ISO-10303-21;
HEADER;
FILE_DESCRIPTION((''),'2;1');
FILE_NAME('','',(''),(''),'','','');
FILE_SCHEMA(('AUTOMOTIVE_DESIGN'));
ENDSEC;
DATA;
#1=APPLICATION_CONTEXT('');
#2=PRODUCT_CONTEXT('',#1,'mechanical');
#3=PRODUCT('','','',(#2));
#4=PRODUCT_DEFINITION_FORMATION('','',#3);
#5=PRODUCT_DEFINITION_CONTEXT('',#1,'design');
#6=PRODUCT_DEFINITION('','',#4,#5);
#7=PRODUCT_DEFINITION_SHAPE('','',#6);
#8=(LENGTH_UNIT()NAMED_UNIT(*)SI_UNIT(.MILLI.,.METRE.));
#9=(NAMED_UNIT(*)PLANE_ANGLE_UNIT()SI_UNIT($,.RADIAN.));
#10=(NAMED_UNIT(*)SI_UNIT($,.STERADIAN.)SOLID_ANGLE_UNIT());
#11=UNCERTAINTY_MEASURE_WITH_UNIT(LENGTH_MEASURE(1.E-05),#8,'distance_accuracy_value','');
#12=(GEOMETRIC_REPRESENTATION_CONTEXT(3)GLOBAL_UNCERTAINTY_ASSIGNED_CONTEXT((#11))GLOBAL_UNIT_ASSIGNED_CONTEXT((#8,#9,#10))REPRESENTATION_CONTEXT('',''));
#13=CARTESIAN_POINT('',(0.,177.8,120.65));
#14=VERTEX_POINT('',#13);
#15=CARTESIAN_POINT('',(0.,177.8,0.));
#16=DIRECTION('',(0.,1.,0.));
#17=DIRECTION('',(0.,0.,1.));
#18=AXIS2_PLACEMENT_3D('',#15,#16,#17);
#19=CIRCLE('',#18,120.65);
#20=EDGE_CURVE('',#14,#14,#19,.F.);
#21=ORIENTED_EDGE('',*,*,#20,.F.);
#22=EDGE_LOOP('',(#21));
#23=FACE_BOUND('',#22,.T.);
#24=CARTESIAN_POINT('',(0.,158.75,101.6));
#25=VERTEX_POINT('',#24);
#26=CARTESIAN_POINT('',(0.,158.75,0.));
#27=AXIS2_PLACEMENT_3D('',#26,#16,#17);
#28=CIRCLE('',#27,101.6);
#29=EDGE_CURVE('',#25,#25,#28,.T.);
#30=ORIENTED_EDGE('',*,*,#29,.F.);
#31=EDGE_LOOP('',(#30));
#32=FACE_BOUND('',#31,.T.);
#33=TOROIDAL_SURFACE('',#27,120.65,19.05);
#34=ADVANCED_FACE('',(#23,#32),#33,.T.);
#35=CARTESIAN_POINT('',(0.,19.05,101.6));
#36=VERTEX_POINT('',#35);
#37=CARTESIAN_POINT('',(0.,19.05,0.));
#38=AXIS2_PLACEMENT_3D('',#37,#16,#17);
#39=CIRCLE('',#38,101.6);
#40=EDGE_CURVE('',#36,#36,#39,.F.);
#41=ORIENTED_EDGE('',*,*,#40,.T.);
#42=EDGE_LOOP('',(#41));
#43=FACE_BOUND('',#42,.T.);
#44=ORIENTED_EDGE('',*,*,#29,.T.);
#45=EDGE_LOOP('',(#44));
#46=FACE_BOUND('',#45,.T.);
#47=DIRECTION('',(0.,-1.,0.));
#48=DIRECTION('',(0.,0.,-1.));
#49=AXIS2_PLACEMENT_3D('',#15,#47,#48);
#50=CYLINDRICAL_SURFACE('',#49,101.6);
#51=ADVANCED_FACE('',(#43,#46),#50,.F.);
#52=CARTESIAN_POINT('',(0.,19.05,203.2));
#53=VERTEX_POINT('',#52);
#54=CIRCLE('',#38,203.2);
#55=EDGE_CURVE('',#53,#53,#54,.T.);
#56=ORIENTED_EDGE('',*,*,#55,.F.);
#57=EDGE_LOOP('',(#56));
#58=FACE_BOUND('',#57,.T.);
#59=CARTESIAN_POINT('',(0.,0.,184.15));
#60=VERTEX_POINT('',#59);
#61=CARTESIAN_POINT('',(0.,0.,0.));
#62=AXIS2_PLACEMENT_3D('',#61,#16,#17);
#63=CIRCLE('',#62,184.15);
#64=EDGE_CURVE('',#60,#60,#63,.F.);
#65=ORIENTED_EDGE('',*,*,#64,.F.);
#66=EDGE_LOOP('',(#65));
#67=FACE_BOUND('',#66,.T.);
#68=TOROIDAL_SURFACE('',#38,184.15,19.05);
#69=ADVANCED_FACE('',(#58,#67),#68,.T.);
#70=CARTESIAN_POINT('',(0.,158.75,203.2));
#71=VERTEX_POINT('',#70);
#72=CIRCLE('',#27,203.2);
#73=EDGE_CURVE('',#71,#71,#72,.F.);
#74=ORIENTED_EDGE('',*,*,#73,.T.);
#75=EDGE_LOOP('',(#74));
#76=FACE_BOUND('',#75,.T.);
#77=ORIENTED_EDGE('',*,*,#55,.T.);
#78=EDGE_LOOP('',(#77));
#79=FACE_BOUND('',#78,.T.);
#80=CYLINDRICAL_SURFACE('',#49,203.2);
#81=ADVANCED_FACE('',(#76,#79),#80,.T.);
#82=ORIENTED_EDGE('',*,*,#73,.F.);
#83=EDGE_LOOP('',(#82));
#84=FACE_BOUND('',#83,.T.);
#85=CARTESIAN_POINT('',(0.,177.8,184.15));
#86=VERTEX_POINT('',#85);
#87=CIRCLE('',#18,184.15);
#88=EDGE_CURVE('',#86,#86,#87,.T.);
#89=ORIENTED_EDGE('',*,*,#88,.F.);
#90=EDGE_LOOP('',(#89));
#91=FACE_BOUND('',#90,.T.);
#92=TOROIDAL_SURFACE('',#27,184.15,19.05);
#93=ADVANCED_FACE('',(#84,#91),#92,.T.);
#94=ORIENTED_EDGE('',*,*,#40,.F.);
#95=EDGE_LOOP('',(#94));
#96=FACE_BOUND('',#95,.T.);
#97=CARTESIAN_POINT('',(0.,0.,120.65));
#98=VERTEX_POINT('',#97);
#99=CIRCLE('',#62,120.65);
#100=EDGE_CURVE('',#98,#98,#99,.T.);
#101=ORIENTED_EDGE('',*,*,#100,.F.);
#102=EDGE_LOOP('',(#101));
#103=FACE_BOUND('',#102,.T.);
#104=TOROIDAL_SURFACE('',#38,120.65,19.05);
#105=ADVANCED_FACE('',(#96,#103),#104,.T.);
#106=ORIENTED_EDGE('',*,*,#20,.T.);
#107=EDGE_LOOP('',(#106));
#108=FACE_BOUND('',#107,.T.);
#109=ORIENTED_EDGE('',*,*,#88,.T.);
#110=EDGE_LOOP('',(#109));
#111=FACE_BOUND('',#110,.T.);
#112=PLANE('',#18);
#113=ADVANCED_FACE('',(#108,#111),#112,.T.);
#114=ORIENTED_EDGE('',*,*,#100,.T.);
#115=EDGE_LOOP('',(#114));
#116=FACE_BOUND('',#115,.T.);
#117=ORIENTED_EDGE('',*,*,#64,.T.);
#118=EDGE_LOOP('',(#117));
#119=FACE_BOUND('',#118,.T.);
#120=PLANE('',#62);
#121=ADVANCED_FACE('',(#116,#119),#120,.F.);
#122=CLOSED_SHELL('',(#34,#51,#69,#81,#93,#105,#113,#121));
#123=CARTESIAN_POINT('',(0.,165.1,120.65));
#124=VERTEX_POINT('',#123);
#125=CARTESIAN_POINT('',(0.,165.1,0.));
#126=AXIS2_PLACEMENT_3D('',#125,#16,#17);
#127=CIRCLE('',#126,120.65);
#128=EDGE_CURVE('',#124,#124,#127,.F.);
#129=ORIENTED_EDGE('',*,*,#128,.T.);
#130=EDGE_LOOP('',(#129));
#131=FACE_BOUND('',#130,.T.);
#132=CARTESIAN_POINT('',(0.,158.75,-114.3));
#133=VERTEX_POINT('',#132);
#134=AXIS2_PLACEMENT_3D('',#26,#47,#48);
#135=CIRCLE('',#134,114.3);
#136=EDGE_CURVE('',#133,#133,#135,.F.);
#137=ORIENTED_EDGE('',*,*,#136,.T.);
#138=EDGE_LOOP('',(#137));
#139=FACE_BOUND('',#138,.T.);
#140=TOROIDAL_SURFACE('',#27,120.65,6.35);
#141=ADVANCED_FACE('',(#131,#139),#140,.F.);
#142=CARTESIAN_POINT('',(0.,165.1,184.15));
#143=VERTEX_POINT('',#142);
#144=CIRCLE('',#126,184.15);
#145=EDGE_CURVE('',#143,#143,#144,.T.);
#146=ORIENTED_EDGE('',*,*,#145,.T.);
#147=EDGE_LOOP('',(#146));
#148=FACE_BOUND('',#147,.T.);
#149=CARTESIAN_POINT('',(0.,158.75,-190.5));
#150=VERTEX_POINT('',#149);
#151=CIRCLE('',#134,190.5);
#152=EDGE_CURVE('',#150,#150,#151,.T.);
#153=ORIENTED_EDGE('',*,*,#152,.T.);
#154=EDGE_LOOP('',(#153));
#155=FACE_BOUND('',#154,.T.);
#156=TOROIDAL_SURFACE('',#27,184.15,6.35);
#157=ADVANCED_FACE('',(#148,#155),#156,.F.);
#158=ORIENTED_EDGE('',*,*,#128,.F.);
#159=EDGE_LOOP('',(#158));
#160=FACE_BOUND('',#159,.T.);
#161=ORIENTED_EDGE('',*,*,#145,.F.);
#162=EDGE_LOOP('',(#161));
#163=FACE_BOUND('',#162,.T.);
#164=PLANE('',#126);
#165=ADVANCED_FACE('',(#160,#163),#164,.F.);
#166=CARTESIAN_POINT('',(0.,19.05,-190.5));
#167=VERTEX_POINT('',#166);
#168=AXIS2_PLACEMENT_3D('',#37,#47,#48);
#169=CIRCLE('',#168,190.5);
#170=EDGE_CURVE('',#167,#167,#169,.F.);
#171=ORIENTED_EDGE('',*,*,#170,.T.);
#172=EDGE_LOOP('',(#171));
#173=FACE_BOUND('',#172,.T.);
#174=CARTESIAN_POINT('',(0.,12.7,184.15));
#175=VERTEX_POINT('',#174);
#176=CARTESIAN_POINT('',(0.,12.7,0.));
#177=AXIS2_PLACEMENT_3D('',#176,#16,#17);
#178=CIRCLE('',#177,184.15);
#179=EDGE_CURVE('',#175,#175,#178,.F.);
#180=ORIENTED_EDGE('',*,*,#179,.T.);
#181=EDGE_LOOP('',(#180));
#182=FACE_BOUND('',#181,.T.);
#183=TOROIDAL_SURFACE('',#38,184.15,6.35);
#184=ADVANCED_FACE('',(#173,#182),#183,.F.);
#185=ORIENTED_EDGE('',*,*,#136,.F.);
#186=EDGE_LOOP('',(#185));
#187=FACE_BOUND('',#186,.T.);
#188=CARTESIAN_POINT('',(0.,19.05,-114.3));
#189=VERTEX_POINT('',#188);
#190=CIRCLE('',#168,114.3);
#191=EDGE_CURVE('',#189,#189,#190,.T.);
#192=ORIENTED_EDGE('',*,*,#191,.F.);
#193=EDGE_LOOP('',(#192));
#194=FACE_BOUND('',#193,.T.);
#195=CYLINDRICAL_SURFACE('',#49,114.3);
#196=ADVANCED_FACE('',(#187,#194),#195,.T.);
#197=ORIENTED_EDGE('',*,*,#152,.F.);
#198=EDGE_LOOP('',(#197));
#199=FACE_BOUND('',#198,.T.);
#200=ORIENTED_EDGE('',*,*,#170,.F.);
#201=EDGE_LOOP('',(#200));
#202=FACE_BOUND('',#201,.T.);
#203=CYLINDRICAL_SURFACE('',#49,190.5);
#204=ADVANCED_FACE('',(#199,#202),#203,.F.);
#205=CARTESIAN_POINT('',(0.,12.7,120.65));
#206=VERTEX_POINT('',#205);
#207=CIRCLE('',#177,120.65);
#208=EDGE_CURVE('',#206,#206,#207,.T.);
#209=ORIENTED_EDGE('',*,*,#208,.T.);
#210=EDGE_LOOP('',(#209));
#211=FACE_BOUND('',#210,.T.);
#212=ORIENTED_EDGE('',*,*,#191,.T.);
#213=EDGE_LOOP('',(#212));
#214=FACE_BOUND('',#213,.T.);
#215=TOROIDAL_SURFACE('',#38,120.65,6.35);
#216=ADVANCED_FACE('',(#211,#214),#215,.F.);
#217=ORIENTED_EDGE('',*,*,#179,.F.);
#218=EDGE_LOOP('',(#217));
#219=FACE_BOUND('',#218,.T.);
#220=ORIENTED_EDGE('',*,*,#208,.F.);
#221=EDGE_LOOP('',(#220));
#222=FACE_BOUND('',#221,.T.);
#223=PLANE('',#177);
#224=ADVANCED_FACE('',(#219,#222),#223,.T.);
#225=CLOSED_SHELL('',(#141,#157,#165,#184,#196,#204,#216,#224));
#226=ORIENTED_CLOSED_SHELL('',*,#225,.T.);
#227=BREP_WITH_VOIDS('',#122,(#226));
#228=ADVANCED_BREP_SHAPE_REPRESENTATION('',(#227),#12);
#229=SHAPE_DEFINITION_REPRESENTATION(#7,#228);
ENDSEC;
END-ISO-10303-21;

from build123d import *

# Parameters (mm, degrees)
SKETCH1_R               = 203.2
BOSS_EXTRUDE1_DEPTH     = 177.8
SKETCH2_R               = 101.6
CUT_EXTRUDE1_DEPTH      = 1
CUT_EXTRUDE1_DEPTH_BACK = 178.8
FILLET1_R               = 19.05
SHELL1_T                = 12.7


with BuildPart() as part:
    # Sketch1 → Boss-Extrude1 (new body)
    with BuildSketch(Plane(origin=(0, 0, 0), x_dir=(1, 0, 0), z_dir=(0, 1, 0))):
        Circle(SKETCH1_R)
    extrude(amount=BOSS_EXTRUDE1_DEPTH)

    # Sketch2 → Cut-Extrude1 (cut, two sides)
    with BuildSketch(Plane.XZ) as cut_extrude1_sk:
        Circle(SKETCH2_R)
    extrude(amount=CUT_EXTRUDE1_DEPTH, mode=Mode.SUBTRACT)
    extrude(cut_extrude1_sk.sketch, amount=-CUT_EXTRUDE1_DEPTH_BACK, mode=Mode.SUBTRACT)

    # Fillet1
    fillet1_edges = [part.edges().sort_by_distance(p)[0] for p in [
        (-203.2, 0, 0),
        (-203.2, 177.8, 0),
        (-101.6, 177.8, 0),
        (-101.6, 0, 0),
    ]]
    fillet(fillet1_edges, radius=FILLET1_R)

    # Shell1 (no face opened: a closed hollow body)
    add(offset(amount=-SHELL1_T, mode=Mode.PRIVATE), mode=Mode.SUBTRACT)


solid = part.part
